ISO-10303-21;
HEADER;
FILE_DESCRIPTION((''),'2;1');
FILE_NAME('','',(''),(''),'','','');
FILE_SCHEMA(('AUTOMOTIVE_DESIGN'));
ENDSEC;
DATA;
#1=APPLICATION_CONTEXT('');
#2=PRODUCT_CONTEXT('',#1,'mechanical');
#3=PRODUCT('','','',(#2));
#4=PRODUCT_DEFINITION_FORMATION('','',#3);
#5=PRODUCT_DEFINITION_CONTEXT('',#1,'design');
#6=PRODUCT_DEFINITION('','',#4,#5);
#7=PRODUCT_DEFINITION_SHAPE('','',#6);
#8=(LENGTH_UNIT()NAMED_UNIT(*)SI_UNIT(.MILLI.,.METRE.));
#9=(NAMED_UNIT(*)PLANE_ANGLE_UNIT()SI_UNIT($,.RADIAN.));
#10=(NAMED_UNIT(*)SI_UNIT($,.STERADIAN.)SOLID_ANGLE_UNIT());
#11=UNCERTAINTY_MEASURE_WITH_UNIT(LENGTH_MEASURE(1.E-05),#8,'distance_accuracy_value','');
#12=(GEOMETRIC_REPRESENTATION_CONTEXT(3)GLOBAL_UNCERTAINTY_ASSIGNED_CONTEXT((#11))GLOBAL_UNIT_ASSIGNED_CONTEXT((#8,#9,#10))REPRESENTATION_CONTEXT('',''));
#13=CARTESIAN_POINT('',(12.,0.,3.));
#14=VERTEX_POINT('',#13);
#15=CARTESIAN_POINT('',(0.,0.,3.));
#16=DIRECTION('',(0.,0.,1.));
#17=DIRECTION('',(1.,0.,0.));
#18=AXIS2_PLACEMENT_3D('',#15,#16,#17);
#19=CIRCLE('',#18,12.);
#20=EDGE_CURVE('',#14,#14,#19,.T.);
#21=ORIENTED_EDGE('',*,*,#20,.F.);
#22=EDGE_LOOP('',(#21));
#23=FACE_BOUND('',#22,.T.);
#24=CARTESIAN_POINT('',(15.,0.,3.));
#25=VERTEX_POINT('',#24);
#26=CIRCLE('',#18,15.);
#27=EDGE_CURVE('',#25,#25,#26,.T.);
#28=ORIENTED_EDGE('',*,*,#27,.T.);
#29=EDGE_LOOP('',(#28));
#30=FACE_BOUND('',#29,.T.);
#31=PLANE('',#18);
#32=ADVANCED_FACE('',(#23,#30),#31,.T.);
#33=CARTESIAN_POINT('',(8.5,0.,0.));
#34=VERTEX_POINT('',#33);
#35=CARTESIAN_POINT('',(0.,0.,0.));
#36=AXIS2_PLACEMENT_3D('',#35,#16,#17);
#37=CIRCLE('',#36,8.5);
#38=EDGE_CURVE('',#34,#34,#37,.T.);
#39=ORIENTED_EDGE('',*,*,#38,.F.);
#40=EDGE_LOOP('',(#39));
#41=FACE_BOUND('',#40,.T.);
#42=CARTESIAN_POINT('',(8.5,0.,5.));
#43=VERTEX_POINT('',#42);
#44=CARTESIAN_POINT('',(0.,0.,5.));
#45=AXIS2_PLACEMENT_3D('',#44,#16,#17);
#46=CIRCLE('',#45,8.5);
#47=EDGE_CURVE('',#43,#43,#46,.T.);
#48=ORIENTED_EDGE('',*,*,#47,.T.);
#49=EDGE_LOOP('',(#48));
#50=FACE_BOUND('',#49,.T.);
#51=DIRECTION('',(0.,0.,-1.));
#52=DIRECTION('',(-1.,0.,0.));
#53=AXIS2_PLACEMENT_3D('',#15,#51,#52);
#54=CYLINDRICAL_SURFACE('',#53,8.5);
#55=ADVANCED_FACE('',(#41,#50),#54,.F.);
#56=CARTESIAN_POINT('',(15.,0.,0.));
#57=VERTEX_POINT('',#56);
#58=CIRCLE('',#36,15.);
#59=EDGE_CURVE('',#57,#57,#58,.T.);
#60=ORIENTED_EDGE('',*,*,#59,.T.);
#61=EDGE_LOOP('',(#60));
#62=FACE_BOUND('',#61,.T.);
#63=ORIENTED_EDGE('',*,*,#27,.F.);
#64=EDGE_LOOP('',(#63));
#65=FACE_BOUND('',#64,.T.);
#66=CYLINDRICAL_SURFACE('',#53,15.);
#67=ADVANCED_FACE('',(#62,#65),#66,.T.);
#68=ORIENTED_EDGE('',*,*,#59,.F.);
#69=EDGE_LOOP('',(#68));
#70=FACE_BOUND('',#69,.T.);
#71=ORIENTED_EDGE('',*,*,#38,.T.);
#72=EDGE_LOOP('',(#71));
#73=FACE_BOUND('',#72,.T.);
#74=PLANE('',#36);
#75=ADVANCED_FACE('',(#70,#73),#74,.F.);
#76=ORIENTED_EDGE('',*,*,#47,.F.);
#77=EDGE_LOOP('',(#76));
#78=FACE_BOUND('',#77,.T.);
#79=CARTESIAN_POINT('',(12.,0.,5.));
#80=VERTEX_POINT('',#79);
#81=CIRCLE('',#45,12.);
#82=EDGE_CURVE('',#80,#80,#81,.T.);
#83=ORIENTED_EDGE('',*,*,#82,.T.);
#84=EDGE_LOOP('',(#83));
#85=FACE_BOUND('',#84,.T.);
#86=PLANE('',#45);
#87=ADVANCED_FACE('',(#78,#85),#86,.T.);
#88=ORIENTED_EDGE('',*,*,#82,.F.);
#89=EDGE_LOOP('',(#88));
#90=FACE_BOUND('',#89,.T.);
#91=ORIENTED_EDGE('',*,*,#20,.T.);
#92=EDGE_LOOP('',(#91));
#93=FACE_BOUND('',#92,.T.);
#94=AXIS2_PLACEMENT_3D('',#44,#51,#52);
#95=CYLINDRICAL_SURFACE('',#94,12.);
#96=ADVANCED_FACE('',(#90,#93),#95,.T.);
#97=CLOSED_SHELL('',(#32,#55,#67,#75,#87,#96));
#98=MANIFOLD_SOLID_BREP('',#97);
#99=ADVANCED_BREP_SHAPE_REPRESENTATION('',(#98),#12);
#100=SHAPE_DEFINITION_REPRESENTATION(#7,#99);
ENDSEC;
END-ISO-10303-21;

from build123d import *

# Parameters (mm, degrees)
SKETCH1_R           = 15
SKETCH1_R_2         = 8.5
BOSS_EXTRUDE1_DEPTH = 3
SKETCH2_R           = 12
SKETCH2_R_2         = 8.5
BOSS_EXTRUDE2_DEPTH = 2


with BuildPart() as part:
    # Sketch1 → Boss-Extrude1 (new body)
    with BuildSketch(Plane.XY):
        Circle(SKETCH1_R)
        Circle(SKETCH1_R_2, mode=Mode.SUBTRACT)
    extrude(amount=BOSS_EXTRUDE1_DEPTH)

    # Sketch2 → Boss-Extrude2 (add)
    with BuildSketch(Plane.XY.offset(3)):
        Circle(SKETCH2_R)
        Circle(SKETCH2_R_2, mode=Mode.SUBTRACT)
    extrude(amount=BOSS_EXTRUDE2_DEPTH)


solid = part.part
